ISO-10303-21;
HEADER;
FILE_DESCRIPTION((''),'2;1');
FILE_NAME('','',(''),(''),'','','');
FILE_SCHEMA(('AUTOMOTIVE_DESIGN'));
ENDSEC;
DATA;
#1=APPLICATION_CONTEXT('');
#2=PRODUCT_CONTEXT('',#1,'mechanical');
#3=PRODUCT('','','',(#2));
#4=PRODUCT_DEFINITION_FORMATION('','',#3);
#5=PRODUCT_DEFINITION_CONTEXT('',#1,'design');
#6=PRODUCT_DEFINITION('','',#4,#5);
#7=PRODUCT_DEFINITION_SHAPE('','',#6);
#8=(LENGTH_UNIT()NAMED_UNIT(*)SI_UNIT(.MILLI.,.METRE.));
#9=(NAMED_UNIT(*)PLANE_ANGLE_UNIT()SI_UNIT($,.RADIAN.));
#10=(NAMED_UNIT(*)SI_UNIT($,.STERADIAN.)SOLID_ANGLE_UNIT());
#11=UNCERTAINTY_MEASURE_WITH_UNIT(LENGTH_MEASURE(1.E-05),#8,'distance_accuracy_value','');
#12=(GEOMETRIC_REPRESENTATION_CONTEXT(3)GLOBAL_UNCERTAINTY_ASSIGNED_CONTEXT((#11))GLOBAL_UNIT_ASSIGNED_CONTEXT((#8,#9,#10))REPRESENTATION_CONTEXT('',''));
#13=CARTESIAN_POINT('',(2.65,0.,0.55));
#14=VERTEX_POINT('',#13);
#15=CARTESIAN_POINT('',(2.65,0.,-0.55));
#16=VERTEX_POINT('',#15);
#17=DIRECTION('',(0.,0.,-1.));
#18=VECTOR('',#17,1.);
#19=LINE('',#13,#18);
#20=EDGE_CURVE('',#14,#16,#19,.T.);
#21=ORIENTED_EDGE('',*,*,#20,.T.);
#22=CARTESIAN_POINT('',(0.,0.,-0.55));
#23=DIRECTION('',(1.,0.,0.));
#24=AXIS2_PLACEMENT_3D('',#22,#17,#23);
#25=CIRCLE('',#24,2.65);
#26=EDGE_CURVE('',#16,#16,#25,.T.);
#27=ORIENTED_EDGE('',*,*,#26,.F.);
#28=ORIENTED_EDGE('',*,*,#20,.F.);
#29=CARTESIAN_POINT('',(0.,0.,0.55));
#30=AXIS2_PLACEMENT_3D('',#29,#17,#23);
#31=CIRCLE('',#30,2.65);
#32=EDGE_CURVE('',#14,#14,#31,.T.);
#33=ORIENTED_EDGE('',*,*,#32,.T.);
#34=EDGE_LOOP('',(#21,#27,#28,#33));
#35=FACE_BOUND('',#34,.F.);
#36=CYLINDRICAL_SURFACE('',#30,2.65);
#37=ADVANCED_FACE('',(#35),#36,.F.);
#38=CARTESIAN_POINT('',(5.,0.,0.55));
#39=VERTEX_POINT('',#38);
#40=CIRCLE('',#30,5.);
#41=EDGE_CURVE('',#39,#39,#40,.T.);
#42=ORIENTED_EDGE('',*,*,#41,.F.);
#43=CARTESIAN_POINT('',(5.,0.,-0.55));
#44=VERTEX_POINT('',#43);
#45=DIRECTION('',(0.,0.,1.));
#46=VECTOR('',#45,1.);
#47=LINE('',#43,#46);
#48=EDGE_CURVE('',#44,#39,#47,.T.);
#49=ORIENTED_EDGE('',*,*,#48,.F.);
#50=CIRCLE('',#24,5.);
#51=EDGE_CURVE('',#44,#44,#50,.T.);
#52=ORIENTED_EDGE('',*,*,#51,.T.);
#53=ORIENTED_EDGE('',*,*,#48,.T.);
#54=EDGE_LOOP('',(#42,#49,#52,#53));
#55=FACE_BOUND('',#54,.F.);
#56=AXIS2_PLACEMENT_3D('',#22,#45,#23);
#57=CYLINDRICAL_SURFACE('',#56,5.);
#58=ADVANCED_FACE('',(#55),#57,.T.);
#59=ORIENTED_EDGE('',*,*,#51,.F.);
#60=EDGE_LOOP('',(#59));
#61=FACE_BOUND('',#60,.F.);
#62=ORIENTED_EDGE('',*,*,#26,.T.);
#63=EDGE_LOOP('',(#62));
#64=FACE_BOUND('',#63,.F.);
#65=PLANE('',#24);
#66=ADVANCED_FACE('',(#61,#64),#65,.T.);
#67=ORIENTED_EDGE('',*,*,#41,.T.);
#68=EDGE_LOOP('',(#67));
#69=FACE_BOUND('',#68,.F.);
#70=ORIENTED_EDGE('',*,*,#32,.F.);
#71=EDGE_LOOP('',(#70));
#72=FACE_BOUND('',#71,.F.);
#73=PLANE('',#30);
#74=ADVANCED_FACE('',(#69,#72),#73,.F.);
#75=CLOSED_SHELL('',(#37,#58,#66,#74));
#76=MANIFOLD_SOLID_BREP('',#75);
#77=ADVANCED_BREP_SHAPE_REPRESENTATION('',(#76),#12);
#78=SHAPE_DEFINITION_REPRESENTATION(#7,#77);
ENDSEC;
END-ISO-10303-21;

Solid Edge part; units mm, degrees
sketch "Sketch1" plane through (0, 0, 0) normal (0, -1, 0) x (1, 0, 0)
  line L0 (2.65, -0.55) -> (5, -0.55)
  line L1 (5, -0.55) -> (5, 0.55)
  line L2 (5, 0.55) -> (2.65, 0.55)
  line L3 (2.65, 0.55) -> (2.65, -0.55)
  dimension "D1" = 1.1
revolve "RevolvedProtrusion1" add sketch "Sketch1" angle 360 about axis through (0, 0, 54) along (0, 0, -1)
properties material "Galvanized steel"
